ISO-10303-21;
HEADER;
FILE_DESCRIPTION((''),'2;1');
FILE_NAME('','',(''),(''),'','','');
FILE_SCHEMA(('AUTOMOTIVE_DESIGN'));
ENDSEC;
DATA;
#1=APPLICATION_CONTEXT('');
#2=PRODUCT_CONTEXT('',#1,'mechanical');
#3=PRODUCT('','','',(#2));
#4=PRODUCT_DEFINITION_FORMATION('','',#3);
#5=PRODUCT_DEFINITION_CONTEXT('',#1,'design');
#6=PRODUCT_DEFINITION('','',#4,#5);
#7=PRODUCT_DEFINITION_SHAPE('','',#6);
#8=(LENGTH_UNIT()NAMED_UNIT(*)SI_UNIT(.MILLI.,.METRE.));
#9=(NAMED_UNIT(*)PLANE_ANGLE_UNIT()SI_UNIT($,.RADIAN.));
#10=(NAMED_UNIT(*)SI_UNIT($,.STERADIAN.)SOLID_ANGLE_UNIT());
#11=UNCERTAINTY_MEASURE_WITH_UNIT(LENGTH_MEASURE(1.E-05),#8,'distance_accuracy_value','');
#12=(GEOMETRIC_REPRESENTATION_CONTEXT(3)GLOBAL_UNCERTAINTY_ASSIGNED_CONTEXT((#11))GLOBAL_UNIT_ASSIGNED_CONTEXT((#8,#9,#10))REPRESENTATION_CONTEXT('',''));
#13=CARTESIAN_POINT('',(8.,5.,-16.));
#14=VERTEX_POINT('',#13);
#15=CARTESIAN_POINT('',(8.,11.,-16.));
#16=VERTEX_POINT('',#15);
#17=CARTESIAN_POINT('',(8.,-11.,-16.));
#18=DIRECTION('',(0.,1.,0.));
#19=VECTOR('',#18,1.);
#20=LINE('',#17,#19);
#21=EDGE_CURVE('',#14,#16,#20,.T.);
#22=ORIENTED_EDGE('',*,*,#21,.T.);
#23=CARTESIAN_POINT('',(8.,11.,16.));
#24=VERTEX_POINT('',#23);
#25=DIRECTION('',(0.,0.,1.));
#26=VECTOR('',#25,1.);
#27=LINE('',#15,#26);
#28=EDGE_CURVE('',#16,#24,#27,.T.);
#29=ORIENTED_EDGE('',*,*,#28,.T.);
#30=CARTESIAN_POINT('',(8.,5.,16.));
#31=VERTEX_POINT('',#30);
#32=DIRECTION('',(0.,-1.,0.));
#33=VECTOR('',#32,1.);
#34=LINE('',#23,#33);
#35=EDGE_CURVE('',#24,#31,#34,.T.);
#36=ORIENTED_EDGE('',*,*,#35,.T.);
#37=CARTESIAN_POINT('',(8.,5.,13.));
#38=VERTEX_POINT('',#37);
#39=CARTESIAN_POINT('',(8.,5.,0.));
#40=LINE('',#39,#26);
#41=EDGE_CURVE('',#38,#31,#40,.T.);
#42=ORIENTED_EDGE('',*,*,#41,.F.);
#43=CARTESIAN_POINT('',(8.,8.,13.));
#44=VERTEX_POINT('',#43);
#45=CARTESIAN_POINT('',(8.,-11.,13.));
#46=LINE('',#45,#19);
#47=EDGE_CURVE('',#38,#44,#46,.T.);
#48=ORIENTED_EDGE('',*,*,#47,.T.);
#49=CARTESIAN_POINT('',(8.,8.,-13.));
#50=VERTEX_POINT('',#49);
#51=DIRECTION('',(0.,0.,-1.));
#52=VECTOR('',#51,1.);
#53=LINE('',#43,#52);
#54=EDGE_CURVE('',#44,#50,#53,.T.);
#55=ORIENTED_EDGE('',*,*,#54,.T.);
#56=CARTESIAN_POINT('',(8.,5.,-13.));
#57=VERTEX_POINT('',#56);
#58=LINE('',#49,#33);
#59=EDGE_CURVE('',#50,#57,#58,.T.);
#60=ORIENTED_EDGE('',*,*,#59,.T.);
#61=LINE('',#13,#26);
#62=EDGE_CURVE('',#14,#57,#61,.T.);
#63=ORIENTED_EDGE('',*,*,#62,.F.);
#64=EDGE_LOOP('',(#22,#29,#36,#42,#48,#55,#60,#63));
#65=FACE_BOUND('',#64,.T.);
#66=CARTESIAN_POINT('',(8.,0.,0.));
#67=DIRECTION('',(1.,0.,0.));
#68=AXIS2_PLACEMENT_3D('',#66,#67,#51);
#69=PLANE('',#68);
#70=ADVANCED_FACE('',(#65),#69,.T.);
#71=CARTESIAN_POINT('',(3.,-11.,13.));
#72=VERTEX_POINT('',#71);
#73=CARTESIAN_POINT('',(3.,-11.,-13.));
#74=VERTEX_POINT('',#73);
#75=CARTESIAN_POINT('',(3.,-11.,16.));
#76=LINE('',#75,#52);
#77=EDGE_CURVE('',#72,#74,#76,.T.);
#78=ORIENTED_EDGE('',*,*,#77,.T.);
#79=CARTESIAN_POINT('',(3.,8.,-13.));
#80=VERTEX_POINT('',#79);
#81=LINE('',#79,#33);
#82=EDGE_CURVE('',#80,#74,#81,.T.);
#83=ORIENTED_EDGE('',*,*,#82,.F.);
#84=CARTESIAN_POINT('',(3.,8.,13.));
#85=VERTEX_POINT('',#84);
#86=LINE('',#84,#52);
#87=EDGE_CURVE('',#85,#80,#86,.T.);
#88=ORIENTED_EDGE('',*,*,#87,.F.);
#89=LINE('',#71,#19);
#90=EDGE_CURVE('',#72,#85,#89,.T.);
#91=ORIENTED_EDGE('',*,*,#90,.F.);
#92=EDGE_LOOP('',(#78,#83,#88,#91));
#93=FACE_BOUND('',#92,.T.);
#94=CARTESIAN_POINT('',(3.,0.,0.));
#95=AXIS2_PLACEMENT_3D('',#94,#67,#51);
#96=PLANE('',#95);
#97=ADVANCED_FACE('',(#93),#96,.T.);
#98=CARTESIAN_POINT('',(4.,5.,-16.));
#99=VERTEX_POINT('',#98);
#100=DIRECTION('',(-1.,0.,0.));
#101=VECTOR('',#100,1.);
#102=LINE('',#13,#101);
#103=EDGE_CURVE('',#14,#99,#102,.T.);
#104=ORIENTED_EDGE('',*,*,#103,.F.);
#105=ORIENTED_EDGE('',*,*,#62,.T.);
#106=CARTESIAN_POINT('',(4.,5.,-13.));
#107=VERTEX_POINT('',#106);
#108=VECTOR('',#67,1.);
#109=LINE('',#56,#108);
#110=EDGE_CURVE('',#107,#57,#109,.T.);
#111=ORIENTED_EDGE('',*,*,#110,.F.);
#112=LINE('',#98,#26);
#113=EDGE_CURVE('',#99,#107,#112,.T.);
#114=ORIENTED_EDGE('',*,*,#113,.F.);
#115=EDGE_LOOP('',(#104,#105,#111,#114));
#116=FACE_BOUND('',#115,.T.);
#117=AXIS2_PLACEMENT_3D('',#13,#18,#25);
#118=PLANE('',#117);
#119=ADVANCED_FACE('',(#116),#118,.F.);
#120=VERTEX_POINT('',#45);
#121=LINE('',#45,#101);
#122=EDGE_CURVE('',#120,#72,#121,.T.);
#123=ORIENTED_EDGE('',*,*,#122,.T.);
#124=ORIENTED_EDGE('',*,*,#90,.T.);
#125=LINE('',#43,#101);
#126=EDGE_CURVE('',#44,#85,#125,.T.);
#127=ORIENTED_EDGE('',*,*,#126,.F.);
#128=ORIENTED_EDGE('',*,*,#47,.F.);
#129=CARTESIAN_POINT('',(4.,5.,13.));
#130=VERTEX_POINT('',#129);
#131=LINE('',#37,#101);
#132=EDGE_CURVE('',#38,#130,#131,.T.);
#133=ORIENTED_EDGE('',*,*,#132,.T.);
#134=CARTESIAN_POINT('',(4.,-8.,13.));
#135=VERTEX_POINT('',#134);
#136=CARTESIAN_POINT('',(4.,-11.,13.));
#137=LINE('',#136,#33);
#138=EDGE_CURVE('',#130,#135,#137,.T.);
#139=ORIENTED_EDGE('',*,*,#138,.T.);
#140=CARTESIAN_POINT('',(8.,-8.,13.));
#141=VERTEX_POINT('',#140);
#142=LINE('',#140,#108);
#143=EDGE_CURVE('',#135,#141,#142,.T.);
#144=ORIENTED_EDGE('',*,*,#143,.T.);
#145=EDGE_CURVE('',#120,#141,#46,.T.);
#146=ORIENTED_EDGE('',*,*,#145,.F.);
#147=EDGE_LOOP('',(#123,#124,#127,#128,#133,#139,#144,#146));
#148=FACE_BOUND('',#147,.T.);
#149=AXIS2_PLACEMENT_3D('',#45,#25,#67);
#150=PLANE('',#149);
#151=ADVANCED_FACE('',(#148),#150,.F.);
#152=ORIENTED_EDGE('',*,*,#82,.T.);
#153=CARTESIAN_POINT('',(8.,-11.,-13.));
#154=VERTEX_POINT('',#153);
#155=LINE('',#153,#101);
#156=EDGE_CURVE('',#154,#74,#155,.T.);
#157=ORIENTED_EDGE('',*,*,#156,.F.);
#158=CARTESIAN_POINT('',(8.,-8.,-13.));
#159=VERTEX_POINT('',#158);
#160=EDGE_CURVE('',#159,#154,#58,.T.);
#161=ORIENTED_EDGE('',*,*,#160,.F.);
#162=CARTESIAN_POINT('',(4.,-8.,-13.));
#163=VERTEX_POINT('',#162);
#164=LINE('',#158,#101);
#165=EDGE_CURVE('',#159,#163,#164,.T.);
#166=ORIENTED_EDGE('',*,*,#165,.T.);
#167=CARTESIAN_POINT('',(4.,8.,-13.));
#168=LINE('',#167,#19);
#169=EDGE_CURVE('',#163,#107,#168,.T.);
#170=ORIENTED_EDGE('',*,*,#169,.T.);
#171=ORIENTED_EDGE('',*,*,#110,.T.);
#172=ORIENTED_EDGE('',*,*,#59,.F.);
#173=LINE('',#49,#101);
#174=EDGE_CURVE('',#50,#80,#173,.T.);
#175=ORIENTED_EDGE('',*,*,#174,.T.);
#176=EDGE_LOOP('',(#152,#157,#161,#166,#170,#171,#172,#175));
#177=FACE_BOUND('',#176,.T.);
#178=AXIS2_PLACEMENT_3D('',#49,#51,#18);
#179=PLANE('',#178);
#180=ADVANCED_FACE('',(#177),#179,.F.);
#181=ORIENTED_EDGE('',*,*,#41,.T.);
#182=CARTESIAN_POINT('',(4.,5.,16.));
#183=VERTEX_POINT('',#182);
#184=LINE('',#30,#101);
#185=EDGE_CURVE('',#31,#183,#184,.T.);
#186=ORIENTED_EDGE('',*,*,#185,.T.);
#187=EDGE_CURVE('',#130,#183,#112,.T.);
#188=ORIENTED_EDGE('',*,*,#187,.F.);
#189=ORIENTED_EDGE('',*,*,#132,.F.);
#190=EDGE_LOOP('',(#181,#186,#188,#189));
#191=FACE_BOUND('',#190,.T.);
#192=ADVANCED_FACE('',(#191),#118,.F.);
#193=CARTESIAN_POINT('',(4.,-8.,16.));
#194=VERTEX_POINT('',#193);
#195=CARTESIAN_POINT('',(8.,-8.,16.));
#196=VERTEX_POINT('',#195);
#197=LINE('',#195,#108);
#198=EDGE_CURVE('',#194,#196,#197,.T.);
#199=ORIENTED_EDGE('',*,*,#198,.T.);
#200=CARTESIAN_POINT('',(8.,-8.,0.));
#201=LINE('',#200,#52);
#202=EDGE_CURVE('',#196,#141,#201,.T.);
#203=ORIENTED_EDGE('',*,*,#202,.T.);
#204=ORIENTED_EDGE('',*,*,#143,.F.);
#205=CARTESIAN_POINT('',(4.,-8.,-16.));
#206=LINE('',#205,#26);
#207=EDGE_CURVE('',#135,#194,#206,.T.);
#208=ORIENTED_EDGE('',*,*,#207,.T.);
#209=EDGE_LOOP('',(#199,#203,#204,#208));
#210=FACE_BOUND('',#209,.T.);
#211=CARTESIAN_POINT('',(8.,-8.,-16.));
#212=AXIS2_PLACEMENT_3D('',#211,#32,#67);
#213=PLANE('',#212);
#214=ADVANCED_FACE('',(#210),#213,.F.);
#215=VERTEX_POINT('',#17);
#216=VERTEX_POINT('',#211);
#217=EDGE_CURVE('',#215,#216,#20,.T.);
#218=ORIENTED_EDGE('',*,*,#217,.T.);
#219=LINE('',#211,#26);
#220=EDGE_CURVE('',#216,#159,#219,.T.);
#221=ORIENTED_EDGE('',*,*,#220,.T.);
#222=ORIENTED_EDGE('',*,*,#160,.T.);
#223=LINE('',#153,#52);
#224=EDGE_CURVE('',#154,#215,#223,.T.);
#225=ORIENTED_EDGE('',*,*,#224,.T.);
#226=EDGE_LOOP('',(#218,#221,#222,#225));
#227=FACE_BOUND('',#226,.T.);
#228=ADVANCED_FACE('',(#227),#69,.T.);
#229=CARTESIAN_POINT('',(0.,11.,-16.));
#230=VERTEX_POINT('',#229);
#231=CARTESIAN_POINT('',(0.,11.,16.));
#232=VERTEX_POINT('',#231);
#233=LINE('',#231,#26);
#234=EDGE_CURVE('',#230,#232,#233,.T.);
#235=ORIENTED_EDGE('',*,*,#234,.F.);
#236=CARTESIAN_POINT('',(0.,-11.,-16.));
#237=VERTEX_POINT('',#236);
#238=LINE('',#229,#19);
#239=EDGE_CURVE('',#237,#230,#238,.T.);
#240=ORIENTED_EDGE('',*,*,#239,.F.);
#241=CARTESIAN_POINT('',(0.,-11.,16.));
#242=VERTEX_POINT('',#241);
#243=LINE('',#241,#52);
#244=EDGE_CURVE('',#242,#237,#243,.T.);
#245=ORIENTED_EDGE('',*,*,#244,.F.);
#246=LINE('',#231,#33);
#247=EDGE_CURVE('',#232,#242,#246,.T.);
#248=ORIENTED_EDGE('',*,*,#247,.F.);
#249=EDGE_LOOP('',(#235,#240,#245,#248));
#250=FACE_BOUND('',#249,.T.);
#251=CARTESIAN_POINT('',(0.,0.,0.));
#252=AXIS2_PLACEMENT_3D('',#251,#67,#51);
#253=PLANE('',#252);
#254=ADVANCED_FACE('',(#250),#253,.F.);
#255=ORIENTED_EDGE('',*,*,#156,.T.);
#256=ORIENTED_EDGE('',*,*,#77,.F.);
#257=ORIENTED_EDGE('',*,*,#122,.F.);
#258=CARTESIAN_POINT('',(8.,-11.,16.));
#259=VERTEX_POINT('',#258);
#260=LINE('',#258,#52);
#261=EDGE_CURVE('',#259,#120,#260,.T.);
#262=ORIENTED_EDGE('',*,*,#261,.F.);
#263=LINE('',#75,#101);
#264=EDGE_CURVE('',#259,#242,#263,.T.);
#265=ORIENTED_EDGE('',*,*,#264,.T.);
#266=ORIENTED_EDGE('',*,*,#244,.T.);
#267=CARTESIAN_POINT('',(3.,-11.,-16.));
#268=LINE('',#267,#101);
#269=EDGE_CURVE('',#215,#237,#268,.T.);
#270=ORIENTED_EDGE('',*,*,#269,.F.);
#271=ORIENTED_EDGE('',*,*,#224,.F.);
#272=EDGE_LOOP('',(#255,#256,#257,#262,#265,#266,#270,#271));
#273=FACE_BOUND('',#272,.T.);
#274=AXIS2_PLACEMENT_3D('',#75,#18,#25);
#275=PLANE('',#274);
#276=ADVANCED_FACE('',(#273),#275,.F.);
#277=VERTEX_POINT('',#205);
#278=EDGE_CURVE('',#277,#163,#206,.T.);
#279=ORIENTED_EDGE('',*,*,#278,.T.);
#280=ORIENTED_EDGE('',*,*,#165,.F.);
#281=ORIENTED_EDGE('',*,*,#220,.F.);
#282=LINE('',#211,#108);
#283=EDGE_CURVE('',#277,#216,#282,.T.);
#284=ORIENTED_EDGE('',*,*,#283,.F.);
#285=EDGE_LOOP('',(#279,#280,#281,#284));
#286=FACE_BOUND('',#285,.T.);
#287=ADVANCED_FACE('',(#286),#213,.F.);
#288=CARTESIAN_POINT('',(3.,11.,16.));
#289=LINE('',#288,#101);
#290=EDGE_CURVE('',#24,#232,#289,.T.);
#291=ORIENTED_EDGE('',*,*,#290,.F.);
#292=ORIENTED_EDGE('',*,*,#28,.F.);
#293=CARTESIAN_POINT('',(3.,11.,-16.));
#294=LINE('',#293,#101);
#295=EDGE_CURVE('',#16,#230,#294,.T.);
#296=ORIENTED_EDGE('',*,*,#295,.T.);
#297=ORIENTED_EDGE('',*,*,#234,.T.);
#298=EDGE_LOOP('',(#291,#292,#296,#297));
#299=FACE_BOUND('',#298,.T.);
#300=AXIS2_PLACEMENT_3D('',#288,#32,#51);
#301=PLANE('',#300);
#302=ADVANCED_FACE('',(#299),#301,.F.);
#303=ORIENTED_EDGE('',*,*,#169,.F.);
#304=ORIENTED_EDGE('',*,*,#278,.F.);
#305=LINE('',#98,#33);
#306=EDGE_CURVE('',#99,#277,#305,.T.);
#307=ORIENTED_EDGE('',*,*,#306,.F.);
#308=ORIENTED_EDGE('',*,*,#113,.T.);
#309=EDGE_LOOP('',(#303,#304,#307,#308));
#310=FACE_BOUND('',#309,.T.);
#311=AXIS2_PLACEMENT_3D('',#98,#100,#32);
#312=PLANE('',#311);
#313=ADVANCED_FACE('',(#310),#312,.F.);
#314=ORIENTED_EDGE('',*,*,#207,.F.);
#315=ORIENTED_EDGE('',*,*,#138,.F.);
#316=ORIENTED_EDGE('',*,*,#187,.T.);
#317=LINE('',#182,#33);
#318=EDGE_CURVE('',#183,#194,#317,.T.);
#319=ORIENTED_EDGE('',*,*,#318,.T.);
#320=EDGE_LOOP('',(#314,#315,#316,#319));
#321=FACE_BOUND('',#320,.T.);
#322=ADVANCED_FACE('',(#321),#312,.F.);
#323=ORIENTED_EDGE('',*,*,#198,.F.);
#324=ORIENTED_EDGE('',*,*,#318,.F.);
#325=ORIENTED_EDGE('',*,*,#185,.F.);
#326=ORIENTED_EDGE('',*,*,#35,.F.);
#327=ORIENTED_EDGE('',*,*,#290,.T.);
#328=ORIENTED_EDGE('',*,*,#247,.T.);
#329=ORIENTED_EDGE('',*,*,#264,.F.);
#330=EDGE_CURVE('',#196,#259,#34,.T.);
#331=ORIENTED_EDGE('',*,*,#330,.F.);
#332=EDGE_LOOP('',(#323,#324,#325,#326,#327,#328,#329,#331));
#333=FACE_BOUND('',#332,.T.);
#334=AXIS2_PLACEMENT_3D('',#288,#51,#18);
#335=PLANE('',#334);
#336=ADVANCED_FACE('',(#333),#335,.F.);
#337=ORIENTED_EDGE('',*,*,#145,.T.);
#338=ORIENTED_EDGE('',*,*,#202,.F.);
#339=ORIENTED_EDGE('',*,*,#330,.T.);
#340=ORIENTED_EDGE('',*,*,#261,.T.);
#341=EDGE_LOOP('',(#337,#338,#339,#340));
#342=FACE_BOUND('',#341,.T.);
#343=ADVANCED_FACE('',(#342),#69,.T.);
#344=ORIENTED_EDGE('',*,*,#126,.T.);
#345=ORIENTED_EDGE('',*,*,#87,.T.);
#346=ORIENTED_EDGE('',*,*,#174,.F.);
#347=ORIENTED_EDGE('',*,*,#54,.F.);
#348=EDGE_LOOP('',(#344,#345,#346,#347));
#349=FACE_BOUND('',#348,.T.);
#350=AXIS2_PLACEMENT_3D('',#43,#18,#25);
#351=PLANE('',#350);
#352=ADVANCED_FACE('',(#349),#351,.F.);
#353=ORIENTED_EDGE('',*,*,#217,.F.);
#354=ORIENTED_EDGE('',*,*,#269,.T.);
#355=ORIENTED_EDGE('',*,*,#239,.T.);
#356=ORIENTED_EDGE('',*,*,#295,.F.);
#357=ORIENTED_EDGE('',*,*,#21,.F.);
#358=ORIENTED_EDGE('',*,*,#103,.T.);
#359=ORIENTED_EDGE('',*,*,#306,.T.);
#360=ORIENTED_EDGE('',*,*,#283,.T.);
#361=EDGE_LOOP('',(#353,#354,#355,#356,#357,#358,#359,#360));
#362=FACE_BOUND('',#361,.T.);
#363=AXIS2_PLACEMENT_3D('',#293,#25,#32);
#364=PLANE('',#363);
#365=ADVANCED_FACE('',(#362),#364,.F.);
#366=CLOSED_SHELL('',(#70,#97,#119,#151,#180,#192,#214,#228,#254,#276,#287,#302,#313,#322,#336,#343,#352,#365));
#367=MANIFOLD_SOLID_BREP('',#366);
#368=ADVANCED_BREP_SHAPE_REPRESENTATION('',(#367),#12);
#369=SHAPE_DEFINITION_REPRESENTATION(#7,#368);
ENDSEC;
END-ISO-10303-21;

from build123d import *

# Parameters (mm, degrees)
SKETCH1_W           = 32
SKETCH1_H           = 22
BOSS_EXTRUDE1_DEPTH = 3
BOSS_EXTRUDE6_DEPTH = 5
SKETCH8_W           = 4
SKETCH8_H           = 13
CUT_EXTRUDE3_DEPTH  = 32


with BuildPart() as part:
    # Sketch1 → Boss-Extrude1 (new body)
    with BuildSketch(Plane(origin=(0, 0, 0), x_dir=(0, 0, -1), z_dir=(1, 0, 0))):
        Rectangle(SKETCH1_W, SKETCH1_H)
    extrude(amount=BOSS_EXTRUDE1_DEPTH)

    # Sketch7 → Boss-Extrude6 (add)
    with BuildSketch(Plane(origin=(3, 0, 0), x_dir=(0, 0, -1), z_dir=(1, 0, 0))):
        Polygon((16, -11), (16, 11), (-16, 11), (-16, -11), (-13, -11), (-13, 8), (13, 8), (13, -11), align=None)
    extrude(amount=BOSS_EXTRUDE6_DEPTH)

    # Sketch8 → Cut-Extrude3 (cut)
    with BuildSketch(Plane.XY.offset(16)):
        with Locations((6, -1.5)):
            Rectangle(SKETCH8_W, SKETCH8_H)
    extrude(amount=-CUT_EXTRUDE3_DEPTH, mode=Mode.SUBTRACT)


solid = part.part
